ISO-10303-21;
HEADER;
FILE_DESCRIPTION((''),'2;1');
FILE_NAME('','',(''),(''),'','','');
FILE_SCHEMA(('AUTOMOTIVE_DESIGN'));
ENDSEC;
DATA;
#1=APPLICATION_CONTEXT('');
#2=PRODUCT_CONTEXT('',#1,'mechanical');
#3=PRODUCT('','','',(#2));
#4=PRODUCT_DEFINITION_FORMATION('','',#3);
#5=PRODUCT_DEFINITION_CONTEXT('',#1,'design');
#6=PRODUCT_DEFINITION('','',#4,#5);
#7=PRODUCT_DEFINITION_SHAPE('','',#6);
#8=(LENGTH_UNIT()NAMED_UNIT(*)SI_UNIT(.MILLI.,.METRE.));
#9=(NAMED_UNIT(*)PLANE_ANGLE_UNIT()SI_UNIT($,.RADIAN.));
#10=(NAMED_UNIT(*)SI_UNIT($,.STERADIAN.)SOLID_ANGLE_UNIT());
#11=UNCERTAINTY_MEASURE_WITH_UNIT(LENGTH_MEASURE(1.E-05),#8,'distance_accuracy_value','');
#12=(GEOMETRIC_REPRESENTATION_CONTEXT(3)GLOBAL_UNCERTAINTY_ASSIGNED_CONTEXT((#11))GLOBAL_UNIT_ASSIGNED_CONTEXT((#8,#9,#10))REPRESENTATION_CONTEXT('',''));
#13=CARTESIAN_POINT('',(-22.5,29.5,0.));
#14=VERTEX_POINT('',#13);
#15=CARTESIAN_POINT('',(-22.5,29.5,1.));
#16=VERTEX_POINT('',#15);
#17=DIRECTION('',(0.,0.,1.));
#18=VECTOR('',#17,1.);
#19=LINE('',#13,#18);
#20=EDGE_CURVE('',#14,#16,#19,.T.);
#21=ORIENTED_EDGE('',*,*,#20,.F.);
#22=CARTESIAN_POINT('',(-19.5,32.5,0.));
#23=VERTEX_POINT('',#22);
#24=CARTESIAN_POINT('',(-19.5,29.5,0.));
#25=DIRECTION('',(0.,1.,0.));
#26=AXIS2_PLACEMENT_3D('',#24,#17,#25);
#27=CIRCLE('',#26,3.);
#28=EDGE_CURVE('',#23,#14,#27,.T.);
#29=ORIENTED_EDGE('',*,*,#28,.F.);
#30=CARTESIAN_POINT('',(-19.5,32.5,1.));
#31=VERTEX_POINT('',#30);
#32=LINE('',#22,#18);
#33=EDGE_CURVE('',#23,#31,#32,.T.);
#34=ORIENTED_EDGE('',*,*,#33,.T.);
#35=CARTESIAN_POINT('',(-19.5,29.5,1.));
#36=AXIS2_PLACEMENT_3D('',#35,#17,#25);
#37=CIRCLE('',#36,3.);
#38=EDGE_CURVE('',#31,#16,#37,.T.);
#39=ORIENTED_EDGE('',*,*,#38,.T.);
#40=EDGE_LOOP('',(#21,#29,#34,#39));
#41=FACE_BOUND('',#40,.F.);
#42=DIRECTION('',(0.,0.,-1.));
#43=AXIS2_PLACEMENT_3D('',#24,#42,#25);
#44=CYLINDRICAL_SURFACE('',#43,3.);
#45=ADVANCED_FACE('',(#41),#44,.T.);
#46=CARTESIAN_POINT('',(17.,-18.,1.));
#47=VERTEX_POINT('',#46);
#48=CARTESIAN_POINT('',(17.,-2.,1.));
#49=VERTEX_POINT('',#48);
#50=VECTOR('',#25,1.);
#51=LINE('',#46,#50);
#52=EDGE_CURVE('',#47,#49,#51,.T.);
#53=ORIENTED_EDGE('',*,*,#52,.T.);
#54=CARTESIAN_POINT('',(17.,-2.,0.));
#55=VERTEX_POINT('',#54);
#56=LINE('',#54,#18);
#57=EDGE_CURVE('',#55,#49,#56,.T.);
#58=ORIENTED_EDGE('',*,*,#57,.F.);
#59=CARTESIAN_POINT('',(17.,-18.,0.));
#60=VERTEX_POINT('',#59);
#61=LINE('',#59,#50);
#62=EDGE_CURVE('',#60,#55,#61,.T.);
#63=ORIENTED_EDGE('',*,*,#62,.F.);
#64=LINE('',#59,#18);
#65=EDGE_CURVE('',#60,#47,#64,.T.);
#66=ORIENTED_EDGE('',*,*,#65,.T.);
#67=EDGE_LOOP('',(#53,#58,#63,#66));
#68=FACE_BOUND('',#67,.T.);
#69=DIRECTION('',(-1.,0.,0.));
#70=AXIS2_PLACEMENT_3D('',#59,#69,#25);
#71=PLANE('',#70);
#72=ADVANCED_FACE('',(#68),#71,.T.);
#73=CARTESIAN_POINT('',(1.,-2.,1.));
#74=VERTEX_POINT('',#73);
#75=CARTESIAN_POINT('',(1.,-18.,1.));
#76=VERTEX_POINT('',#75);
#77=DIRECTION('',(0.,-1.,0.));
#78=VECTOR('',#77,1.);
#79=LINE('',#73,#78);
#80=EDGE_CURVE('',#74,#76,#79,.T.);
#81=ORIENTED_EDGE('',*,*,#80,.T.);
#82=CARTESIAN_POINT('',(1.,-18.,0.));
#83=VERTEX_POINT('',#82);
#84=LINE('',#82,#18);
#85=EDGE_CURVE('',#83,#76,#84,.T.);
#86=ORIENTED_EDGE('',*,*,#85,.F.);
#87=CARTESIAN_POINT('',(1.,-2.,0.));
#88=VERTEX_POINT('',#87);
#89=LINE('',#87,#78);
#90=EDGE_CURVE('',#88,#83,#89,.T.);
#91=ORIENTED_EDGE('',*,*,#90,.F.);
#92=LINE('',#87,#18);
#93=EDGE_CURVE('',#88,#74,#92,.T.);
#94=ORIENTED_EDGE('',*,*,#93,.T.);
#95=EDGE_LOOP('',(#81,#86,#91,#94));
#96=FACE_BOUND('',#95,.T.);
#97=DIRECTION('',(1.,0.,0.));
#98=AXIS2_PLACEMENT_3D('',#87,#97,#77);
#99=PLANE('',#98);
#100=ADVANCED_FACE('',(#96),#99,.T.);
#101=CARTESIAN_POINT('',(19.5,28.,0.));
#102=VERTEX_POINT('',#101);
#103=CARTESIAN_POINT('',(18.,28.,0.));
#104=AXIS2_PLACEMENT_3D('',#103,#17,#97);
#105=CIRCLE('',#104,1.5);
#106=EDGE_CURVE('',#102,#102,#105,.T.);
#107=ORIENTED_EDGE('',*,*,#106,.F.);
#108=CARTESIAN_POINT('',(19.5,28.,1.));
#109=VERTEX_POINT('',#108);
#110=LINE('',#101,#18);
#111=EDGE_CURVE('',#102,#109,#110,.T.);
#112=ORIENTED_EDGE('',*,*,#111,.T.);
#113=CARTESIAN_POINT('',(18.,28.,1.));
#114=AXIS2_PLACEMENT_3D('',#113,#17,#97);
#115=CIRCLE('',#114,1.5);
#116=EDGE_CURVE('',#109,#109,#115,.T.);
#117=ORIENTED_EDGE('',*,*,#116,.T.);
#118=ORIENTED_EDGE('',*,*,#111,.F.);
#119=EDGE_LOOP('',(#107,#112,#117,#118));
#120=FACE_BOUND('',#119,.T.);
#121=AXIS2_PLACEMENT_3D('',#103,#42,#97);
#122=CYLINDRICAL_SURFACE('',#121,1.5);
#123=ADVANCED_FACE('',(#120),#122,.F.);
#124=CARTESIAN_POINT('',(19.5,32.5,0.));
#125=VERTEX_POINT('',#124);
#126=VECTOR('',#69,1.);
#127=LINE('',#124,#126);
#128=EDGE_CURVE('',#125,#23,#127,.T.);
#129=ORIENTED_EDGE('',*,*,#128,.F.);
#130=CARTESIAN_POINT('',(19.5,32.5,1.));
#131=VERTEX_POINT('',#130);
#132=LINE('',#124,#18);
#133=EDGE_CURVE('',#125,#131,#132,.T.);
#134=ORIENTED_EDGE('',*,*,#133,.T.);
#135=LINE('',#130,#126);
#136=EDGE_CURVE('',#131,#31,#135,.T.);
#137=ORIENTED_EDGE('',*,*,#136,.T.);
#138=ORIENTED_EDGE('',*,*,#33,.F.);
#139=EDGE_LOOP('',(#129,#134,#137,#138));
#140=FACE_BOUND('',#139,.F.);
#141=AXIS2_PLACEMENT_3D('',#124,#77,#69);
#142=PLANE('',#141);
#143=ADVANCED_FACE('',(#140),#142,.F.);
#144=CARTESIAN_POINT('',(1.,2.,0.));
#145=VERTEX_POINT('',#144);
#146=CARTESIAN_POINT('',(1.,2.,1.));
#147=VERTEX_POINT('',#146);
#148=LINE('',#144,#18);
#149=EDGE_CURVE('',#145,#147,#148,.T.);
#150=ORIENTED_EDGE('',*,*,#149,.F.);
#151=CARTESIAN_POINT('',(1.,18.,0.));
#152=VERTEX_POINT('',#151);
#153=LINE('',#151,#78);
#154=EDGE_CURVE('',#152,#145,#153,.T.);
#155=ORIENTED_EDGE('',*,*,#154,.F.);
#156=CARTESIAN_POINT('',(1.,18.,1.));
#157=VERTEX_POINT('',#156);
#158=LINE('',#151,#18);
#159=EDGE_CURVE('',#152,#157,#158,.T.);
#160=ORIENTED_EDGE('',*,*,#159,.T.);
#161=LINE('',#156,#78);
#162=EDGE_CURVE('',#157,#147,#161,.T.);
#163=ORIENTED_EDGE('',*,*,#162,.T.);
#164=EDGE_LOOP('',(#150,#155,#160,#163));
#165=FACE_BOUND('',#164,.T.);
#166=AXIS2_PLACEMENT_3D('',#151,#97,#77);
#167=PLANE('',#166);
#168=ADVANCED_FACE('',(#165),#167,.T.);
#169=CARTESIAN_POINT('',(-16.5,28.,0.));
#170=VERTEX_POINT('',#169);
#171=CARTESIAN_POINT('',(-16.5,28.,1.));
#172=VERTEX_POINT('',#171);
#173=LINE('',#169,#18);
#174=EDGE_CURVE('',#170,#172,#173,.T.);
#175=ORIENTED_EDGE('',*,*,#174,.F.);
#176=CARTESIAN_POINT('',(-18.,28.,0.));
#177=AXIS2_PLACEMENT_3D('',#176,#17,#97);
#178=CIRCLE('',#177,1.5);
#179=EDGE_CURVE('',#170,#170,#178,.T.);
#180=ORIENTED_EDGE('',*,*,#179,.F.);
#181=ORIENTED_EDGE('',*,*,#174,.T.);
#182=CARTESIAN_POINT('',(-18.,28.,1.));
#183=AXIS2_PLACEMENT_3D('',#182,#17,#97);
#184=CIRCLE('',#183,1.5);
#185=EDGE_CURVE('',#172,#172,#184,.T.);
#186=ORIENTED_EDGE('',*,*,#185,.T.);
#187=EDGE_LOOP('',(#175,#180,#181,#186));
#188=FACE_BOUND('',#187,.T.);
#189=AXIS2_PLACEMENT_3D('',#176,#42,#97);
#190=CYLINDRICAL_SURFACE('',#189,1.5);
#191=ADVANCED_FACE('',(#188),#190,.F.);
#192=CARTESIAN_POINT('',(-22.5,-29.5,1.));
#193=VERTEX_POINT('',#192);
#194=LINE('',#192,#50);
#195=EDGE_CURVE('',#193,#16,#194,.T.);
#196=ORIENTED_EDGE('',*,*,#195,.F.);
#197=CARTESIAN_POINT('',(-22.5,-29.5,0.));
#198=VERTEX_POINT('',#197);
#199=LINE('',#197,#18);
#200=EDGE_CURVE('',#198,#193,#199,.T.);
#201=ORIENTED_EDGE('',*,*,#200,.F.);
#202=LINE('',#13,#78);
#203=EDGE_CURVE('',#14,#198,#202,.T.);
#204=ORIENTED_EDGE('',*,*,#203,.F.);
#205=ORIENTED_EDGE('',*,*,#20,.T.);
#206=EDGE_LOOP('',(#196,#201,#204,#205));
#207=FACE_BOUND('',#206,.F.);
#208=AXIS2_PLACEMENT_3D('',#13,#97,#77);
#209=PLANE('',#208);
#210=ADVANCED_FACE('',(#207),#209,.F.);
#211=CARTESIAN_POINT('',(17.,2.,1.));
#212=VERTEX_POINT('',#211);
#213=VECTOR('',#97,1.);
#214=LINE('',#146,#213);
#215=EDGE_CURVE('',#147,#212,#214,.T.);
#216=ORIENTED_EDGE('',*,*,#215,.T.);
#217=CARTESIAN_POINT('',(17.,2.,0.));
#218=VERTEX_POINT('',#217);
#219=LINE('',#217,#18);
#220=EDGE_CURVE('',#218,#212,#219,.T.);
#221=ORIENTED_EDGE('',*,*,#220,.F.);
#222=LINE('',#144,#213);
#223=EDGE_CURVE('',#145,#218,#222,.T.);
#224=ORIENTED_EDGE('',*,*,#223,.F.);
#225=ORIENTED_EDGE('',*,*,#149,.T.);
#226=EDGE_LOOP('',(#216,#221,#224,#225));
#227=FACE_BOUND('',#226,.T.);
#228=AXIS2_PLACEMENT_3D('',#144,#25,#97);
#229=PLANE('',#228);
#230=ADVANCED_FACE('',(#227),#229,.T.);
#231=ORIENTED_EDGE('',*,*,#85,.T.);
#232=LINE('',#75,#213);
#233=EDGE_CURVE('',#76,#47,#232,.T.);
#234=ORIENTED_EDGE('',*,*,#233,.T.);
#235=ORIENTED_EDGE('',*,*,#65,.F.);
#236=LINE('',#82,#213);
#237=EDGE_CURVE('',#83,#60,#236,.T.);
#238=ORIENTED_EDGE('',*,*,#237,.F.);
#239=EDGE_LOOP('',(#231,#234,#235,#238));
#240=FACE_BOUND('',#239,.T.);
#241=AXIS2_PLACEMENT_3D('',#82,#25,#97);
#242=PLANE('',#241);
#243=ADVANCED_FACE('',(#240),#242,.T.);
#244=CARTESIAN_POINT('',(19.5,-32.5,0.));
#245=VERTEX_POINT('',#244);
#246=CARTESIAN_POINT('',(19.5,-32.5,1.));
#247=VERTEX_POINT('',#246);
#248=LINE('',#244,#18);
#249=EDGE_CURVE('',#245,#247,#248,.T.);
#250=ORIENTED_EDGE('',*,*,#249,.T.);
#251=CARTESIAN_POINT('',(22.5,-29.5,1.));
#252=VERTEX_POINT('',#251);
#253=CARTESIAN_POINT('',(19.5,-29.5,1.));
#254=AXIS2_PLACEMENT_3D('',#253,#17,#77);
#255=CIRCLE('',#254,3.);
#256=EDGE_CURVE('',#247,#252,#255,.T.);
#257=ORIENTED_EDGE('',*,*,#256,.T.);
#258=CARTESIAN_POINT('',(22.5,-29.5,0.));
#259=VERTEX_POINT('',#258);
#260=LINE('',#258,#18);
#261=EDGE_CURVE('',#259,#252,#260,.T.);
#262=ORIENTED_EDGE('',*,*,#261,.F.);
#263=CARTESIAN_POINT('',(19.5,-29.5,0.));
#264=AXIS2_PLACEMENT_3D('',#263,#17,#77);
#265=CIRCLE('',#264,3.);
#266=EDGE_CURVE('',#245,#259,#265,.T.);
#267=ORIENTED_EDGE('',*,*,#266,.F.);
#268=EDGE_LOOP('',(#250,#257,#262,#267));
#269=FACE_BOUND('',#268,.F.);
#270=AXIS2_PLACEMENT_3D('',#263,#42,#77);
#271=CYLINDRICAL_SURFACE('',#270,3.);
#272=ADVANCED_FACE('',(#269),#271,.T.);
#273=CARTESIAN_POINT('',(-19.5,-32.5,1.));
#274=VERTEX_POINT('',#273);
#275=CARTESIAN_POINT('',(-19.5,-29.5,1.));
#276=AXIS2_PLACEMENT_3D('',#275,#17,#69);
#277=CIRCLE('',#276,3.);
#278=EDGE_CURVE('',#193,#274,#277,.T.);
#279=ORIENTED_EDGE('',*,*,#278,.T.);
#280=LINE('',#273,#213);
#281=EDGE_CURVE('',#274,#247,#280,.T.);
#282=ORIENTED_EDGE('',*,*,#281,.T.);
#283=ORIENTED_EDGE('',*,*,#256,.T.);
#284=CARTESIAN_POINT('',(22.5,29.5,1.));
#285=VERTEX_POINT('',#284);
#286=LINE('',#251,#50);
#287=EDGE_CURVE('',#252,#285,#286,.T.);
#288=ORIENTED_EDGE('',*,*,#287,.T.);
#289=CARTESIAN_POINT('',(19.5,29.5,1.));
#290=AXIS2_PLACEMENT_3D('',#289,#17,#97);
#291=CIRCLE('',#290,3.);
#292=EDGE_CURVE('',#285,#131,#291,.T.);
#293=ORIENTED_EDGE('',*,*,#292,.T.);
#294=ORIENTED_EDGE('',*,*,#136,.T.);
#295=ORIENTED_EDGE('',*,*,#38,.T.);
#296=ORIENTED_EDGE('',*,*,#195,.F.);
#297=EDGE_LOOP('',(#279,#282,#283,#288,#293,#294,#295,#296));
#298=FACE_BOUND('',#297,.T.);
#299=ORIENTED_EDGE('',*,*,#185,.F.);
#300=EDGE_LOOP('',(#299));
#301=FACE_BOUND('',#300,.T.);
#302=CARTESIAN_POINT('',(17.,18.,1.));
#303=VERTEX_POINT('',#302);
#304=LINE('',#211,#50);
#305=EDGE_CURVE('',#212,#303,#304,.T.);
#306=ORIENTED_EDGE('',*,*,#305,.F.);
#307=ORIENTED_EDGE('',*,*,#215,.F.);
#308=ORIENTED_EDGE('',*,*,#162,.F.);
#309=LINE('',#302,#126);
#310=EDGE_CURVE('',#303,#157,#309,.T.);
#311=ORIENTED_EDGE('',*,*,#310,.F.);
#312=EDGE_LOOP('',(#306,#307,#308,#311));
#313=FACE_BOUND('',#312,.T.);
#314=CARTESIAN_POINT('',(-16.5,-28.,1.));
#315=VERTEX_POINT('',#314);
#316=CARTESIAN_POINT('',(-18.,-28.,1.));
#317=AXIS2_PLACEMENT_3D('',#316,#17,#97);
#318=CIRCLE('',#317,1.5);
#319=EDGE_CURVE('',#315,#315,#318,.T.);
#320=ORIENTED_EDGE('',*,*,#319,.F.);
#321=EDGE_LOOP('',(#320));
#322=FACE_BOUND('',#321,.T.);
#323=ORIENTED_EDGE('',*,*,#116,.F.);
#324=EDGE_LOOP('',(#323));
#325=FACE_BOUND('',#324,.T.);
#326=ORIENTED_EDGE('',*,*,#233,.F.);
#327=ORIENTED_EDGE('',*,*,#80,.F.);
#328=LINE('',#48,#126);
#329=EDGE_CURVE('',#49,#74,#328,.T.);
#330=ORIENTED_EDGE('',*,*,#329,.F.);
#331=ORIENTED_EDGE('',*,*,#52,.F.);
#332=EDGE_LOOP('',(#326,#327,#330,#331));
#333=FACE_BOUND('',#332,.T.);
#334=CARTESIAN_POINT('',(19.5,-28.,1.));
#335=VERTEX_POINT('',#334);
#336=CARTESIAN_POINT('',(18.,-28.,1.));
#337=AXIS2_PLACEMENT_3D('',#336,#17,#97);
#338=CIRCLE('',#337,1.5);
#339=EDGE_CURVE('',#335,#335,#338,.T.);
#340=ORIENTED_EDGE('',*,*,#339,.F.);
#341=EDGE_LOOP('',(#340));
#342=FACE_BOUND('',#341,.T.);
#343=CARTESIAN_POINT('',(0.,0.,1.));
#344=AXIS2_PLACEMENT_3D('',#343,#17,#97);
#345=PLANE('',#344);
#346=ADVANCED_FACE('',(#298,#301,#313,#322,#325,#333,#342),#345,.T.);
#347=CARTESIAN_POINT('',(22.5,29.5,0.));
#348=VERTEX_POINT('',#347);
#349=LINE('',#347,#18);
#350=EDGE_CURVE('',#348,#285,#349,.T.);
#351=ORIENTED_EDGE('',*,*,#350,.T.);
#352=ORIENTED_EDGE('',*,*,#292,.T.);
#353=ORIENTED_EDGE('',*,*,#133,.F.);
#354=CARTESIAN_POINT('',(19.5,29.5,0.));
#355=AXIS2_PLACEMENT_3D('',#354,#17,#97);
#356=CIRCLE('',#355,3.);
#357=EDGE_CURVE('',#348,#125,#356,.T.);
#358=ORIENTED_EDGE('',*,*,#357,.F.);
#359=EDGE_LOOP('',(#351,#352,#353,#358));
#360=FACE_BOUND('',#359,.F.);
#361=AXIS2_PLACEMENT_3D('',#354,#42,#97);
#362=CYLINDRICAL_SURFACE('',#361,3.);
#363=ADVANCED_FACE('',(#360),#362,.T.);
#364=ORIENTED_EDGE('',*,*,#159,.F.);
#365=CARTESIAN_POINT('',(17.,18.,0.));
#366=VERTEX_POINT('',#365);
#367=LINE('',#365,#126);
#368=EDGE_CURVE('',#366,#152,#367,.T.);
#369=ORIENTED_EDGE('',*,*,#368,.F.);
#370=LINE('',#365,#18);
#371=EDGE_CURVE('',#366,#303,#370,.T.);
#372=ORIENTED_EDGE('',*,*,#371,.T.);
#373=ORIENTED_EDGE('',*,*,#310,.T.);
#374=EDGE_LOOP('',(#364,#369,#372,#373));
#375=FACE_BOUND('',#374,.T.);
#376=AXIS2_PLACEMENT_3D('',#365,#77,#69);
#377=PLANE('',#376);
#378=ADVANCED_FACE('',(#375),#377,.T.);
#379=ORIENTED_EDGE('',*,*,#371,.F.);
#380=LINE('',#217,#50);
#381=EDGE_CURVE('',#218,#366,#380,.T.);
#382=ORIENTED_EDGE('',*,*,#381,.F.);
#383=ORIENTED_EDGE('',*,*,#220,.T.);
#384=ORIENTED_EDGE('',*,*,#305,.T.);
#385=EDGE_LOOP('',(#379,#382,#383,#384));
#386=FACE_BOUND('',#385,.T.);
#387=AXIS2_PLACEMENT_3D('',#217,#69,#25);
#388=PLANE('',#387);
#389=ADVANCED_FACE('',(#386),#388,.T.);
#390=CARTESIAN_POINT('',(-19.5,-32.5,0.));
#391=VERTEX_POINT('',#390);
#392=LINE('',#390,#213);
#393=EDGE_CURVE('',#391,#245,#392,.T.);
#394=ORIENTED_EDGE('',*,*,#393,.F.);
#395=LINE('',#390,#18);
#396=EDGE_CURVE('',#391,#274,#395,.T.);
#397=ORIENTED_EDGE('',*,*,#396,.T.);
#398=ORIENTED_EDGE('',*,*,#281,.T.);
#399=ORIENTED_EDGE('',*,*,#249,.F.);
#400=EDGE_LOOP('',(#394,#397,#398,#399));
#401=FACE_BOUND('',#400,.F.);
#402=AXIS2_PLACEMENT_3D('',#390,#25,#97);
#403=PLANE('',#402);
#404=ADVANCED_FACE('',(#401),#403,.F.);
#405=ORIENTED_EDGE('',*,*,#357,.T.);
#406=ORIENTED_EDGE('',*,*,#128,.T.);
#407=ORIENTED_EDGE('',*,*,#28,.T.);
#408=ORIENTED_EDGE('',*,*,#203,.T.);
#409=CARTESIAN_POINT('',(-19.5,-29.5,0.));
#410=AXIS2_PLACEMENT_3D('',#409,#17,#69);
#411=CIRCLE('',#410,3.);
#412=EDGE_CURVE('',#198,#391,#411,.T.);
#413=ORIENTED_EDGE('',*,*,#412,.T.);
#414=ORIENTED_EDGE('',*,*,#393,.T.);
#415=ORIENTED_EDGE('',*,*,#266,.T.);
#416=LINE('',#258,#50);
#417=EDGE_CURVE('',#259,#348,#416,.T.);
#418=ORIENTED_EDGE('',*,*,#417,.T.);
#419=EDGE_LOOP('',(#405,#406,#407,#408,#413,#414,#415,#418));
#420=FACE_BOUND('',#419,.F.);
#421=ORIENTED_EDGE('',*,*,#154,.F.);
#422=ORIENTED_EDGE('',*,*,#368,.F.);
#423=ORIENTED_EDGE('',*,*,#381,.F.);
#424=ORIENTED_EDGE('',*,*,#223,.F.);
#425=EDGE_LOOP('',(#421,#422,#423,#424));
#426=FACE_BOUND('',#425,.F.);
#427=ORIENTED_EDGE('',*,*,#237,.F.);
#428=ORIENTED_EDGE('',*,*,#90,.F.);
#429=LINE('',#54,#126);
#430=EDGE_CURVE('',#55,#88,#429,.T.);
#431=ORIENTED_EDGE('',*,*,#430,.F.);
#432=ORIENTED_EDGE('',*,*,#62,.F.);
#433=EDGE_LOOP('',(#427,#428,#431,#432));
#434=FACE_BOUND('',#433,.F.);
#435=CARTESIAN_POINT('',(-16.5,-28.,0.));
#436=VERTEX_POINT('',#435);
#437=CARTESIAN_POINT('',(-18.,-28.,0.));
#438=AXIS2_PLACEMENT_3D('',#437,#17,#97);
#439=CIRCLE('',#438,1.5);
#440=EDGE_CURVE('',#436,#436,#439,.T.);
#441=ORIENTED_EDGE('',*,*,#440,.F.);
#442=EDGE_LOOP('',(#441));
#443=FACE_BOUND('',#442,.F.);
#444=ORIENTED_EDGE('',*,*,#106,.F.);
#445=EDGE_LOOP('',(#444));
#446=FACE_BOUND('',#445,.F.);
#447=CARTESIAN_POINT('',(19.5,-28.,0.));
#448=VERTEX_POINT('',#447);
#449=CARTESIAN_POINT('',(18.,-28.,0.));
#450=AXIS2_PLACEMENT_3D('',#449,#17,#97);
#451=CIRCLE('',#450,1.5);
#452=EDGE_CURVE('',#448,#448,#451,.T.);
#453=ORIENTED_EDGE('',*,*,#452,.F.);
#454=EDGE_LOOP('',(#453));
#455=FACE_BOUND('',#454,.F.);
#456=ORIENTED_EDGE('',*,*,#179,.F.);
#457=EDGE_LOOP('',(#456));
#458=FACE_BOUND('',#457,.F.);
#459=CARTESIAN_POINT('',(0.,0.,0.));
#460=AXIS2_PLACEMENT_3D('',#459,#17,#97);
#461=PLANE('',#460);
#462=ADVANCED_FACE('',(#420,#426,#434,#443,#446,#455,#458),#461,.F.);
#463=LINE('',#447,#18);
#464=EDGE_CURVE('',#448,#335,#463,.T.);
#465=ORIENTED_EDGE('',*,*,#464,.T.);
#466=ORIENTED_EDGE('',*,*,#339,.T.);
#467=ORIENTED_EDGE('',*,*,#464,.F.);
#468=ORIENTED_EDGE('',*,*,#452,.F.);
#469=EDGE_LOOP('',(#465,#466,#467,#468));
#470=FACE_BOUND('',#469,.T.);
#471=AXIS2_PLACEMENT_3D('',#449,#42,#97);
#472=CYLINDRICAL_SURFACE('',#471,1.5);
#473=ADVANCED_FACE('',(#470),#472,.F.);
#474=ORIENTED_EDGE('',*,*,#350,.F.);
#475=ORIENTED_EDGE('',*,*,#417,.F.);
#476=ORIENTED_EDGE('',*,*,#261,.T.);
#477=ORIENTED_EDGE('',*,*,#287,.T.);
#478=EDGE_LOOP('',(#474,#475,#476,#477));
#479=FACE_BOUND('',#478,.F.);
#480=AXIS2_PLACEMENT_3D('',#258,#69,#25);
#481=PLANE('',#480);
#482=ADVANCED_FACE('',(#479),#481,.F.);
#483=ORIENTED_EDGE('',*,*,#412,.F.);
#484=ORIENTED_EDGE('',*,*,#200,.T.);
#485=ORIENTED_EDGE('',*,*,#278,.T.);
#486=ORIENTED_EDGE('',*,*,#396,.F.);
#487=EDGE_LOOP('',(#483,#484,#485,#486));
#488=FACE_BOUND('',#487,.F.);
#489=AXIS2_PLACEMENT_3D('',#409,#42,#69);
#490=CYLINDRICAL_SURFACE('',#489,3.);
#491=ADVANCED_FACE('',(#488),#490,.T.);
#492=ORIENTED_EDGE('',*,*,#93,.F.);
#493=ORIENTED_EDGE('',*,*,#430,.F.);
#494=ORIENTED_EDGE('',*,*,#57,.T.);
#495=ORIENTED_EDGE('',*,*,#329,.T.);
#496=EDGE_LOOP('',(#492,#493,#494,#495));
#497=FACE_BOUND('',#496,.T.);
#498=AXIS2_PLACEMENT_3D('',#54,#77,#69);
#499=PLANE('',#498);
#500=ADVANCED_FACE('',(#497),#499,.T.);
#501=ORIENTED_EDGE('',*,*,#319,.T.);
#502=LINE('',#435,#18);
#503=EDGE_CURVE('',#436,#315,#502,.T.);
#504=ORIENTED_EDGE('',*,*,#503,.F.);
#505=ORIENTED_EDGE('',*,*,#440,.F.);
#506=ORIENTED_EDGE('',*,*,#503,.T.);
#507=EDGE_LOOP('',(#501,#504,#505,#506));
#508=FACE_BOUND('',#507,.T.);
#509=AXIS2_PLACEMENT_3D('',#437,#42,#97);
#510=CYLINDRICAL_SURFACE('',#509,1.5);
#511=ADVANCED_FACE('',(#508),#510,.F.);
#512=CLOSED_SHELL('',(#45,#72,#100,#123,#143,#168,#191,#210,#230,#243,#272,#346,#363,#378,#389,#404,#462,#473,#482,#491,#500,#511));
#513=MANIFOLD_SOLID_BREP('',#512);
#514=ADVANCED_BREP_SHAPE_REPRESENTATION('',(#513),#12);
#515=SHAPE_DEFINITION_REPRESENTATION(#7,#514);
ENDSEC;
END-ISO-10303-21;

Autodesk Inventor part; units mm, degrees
ref_plane "YZ Plane" through (0, 0, 0) normal (1, 0, 0) x (0, 1, 0)
ref_plane "XZ Plane" through (0, 0, 0) normal (0, 1, 0) x (-1, 0, 0)
ref_plane "XY Plane" through (0, 0, 0) normal (0, 0, 1) x (1, 0, 0)
sketch "Эскиз1" plane through (0, 0, 0) normal (0, 0, 1) x (1, 0, 0)
  line L0 (1, 18) -> (1, 2) projected
  line L1 (1, 2) -> (17, 2) projected
  line L2 (17, 2) -> (17, 18) projected
  line L3 (17, 18) -> (1, 18) projected
  line L4 (1, -2) -> (1, -18) projected
  line L5 (1, -18) -> (17, -18) projected
  line L6 (17, -18) -> (17, -2) projected
  line L7 (17, -2) -> (1, -2) projected
  line L8 (-22.5, -9) -> (-22.5, -29.5) projected
  arc A0 (-22.5, -29.5) -> (-19.5, -32.5) centre (-19.5, -29.5) ccw projected
  line L9 (-19.5, -32.5) -> (19.5, -32.5) projected
  arc A1 (19.5, -32.5) -> (22.5, -29.5) centre (19.5, -29.5) ccw projected
  line L10 (22.5, -29.5) -> (22.5, 29.5) projected
  arc A2 (22.5, 29.5) -> (19.5, 32.5) centre (19.5, 29.5) ccw projected
  line L11 (19.5, 32.5) -> (-19.5, 32.5) projected
  arc A3 (-19.5, 32.5) -> (-22.5, 29.5) centre (-19.5, 29.5) ccw projected
  line L12 (-22.5, 29.5) -> (-22.5, 9) projected
  line L13 (-22.5, 9) -> (-2, 9) projected
  line L14 (-2, 9) -> (-2, -9) projected
  line L15 (-2, -9) -> (-22.5, -9) projected
  line L16 (1, 18) -> (17, 18) projected
  line L17 (17, 18) -> (17, 2) projected
  line L18 (17, 2) -> (1, 2) projected
  line L19 (1, 2) -> (1, 18) projected
  line L20 (1, -2) -> (17, -2) projected
  line L21 (17, -2) -> (17, -18) projected
  line L22 (17, -18) -> (1, -18) projected
  line L23 (1, -18) -> (1, -2) projected
  circle A4 centre (-18, 28) radius 1.5 projected
  circle A5 centre (18, 28) radius 1.5 projected
  circle A6 centre (18, -28) radius 1.5 projected
  circle A7 centre (-18, -28) radius 1.5 projected
  line L24 (-22.5, 9) -> (-22.5, -9)
  point P0 (0, 0)
extrude "Выдавливание1" add sketch "Эскиз1" along normal blind 1
properties part number "level3_up"
